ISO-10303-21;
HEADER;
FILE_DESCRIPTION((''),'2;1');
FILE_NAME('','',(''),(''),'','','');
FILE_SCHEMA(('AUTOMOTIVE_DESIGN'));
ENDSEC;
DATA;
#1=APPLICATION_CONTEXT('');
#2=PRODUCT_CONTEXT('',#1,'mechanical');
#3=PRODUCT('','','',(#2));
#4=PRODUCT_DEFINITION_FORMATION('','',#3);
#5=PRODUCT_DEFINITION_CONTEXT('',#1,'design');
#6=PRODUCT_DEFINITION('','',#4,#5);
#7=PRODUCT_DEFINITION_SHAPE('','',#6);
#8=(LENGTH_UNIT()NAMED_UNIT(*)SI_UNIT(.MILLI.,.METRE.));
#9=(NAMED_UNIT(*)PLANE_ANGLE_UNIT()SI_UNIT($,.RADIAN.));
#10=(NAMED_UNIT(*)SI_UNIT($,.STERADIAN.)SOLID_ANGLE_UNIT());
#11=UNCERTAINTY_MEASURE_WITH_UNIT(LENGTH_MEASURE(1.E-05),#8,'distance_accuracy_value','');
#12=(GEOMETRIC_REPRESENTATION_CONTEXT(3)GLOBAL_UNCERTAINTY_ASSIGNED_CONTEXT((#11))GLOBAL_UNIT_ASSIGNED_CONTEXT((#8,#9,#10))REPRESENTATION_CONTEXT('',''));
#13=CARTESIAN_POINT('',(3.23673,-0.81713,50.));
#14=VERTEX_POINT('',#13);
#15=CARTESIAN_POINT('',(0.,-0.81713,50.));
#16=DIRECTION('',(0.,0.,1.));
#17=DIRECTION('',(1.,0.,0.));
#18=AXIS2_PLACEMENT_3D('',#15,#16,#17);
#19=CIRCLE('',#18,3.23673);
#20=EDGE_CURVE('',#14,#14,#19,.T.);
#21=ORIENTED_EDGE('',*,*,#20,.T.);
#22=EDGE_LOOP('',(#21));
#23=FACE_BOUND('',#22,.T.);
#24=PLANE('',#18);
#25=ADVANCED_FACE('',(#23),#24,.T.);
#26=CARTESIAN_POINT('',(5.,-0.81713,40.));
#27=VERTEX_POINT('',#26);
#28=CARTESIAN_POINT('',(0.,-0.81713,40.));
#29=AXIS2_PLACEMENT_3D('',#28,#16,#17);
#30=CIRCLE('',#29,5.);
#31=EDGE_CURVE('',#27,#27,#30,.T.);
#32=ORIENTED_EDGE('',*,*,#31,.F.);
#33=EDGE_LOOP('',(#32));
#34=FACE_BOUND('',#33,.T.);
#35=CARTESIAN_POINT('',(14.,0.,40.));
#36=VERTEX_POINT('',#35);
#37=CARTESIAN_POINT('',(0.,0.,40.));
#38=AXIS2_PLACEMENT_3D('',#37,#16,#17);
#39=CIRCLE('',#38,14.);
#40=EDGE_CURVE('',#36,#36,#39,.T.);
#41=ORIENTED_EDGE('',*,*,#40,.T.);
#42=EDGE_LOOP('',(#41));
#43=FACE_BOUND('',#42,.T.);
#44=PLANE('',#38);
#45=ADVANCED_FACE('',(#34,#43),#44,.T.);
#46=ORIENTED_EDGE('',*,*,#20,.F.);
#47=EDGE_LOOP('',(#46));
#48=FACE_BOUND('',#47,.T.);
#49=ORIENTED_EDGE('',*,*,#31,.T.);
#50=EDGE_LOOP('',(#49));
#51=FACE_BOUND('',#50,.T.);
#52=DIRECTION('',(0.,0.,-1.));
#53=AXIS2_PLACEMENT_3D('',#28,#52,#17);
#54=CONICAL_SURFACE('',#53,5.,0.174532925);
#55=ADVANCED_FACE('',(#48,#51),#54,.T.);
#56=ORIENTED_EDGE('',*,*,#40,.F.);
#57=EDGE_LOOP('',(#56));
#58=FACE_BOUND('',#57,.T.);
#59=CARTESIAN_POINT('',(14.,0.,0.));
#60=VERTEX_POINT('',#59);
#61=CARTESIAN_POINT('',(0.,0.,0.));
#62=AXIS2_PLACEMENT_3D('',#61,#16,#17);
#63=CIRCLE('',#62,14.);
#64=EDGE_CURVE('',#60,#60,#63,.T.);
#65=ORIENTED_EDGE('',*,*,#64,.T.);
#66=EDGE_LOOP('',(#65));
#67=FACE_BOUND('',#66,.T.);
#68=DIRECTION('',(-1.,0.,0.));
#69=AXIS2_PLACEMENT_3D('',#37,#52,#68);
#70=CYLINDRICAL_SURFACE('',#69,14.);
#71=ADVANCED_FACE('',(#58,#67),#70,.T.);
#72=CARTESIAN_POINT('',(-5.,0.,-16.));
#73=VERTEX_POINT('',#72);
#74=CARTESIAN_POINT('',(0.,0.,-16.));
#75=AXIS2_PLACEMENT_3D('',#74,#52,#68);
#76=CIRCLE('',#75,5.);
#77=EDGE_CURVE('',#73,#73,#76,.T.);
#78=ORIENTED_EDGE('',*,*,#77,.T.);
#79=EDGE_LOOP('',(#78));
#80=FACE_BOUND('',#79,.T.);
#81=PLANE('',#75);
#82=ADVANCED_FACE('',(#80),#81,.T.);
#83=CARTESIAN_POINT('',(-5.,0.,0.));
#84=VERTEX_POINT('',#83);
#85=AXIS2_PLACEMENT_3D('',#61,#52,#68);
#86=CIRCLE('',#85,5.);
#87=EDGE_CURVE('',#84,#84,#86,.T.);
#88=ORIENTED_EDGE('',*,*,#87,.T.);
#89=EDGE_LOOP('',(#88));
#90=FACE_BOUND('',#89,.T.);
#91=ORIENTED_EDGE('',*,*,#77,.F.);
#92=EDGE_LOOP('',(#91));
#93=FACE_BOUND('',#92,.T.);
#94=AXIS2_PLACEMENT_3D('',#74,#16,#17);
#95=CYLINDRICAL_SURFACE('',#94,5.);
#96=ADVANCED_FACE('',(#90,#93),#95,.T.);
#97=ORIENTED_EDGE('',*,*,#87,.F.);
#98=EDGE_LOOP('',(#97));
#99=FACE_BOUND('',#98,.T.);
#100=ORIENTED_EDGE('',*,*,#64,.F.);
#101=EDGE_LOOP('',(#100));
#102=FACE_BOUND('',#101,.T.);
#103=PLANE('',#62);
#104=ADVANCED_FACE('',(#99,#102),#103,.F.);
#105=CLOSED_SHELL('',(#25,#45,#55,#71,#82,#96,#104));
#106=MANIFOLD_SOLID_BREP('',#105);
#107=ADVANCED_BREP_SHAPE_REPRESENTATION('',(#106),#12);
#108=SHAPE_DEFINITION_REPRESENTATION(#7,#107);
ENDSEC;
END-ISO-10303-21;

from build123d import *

# Parameters (mm, degrees)
SKIZZE1_R                       = 14
AUFSATZ_LINEAR_AUSTRAGEN1_DEPTH = 40
SKIZZE2_R                       = 5
AUFSATZ_LINEAR_AUSTRAGEN2_DEPTH = 16
SKIZZE3_R                       = 5
AUFSATZ_LINEAR_AUSTRAGEN3_DEPTH = 10
AUFSATZ_LINEAR_AUSTRAGEN3_TAPER = 10


with BuildPart() as part:
    # Skizze1 → Aufsatz-Linear austragen1 (new body)
    with BuildSketch(Plane.XY):
        Circle(SKIZZE1_R)
    extrude(amount=AUFSATZ_LINEAR_AUSTRAGEN1_DEPTH)

    # Skizze2 → Aufsatz-Linear austragen2 (add)
    with BuildSketch(Plane(origin=(0, 0, 0), x_dir=(-1, 0, 0), z_dir=(0, 0, -1))):
        Circle(SKIZZE2_R)
    extrude(amount=AUFSATZ_LINEAR_AUSTRAGEN2_DEPTH)

    # Skizze3 → Aufsatz-Linear austragen3 (add)
    with BuildSketch(Plane.XY.offset(40)):
        with Locations((0, -0.81713022)):
            Circle(SKIZZE3_R)
    extrude(amount=AUFSATZ_LINEAR_AUSTRAGEN3_DEPTH, taper=AUFSATZ_LINEAR_AUSTRAGEN3_TAPER)


solid = part.part
